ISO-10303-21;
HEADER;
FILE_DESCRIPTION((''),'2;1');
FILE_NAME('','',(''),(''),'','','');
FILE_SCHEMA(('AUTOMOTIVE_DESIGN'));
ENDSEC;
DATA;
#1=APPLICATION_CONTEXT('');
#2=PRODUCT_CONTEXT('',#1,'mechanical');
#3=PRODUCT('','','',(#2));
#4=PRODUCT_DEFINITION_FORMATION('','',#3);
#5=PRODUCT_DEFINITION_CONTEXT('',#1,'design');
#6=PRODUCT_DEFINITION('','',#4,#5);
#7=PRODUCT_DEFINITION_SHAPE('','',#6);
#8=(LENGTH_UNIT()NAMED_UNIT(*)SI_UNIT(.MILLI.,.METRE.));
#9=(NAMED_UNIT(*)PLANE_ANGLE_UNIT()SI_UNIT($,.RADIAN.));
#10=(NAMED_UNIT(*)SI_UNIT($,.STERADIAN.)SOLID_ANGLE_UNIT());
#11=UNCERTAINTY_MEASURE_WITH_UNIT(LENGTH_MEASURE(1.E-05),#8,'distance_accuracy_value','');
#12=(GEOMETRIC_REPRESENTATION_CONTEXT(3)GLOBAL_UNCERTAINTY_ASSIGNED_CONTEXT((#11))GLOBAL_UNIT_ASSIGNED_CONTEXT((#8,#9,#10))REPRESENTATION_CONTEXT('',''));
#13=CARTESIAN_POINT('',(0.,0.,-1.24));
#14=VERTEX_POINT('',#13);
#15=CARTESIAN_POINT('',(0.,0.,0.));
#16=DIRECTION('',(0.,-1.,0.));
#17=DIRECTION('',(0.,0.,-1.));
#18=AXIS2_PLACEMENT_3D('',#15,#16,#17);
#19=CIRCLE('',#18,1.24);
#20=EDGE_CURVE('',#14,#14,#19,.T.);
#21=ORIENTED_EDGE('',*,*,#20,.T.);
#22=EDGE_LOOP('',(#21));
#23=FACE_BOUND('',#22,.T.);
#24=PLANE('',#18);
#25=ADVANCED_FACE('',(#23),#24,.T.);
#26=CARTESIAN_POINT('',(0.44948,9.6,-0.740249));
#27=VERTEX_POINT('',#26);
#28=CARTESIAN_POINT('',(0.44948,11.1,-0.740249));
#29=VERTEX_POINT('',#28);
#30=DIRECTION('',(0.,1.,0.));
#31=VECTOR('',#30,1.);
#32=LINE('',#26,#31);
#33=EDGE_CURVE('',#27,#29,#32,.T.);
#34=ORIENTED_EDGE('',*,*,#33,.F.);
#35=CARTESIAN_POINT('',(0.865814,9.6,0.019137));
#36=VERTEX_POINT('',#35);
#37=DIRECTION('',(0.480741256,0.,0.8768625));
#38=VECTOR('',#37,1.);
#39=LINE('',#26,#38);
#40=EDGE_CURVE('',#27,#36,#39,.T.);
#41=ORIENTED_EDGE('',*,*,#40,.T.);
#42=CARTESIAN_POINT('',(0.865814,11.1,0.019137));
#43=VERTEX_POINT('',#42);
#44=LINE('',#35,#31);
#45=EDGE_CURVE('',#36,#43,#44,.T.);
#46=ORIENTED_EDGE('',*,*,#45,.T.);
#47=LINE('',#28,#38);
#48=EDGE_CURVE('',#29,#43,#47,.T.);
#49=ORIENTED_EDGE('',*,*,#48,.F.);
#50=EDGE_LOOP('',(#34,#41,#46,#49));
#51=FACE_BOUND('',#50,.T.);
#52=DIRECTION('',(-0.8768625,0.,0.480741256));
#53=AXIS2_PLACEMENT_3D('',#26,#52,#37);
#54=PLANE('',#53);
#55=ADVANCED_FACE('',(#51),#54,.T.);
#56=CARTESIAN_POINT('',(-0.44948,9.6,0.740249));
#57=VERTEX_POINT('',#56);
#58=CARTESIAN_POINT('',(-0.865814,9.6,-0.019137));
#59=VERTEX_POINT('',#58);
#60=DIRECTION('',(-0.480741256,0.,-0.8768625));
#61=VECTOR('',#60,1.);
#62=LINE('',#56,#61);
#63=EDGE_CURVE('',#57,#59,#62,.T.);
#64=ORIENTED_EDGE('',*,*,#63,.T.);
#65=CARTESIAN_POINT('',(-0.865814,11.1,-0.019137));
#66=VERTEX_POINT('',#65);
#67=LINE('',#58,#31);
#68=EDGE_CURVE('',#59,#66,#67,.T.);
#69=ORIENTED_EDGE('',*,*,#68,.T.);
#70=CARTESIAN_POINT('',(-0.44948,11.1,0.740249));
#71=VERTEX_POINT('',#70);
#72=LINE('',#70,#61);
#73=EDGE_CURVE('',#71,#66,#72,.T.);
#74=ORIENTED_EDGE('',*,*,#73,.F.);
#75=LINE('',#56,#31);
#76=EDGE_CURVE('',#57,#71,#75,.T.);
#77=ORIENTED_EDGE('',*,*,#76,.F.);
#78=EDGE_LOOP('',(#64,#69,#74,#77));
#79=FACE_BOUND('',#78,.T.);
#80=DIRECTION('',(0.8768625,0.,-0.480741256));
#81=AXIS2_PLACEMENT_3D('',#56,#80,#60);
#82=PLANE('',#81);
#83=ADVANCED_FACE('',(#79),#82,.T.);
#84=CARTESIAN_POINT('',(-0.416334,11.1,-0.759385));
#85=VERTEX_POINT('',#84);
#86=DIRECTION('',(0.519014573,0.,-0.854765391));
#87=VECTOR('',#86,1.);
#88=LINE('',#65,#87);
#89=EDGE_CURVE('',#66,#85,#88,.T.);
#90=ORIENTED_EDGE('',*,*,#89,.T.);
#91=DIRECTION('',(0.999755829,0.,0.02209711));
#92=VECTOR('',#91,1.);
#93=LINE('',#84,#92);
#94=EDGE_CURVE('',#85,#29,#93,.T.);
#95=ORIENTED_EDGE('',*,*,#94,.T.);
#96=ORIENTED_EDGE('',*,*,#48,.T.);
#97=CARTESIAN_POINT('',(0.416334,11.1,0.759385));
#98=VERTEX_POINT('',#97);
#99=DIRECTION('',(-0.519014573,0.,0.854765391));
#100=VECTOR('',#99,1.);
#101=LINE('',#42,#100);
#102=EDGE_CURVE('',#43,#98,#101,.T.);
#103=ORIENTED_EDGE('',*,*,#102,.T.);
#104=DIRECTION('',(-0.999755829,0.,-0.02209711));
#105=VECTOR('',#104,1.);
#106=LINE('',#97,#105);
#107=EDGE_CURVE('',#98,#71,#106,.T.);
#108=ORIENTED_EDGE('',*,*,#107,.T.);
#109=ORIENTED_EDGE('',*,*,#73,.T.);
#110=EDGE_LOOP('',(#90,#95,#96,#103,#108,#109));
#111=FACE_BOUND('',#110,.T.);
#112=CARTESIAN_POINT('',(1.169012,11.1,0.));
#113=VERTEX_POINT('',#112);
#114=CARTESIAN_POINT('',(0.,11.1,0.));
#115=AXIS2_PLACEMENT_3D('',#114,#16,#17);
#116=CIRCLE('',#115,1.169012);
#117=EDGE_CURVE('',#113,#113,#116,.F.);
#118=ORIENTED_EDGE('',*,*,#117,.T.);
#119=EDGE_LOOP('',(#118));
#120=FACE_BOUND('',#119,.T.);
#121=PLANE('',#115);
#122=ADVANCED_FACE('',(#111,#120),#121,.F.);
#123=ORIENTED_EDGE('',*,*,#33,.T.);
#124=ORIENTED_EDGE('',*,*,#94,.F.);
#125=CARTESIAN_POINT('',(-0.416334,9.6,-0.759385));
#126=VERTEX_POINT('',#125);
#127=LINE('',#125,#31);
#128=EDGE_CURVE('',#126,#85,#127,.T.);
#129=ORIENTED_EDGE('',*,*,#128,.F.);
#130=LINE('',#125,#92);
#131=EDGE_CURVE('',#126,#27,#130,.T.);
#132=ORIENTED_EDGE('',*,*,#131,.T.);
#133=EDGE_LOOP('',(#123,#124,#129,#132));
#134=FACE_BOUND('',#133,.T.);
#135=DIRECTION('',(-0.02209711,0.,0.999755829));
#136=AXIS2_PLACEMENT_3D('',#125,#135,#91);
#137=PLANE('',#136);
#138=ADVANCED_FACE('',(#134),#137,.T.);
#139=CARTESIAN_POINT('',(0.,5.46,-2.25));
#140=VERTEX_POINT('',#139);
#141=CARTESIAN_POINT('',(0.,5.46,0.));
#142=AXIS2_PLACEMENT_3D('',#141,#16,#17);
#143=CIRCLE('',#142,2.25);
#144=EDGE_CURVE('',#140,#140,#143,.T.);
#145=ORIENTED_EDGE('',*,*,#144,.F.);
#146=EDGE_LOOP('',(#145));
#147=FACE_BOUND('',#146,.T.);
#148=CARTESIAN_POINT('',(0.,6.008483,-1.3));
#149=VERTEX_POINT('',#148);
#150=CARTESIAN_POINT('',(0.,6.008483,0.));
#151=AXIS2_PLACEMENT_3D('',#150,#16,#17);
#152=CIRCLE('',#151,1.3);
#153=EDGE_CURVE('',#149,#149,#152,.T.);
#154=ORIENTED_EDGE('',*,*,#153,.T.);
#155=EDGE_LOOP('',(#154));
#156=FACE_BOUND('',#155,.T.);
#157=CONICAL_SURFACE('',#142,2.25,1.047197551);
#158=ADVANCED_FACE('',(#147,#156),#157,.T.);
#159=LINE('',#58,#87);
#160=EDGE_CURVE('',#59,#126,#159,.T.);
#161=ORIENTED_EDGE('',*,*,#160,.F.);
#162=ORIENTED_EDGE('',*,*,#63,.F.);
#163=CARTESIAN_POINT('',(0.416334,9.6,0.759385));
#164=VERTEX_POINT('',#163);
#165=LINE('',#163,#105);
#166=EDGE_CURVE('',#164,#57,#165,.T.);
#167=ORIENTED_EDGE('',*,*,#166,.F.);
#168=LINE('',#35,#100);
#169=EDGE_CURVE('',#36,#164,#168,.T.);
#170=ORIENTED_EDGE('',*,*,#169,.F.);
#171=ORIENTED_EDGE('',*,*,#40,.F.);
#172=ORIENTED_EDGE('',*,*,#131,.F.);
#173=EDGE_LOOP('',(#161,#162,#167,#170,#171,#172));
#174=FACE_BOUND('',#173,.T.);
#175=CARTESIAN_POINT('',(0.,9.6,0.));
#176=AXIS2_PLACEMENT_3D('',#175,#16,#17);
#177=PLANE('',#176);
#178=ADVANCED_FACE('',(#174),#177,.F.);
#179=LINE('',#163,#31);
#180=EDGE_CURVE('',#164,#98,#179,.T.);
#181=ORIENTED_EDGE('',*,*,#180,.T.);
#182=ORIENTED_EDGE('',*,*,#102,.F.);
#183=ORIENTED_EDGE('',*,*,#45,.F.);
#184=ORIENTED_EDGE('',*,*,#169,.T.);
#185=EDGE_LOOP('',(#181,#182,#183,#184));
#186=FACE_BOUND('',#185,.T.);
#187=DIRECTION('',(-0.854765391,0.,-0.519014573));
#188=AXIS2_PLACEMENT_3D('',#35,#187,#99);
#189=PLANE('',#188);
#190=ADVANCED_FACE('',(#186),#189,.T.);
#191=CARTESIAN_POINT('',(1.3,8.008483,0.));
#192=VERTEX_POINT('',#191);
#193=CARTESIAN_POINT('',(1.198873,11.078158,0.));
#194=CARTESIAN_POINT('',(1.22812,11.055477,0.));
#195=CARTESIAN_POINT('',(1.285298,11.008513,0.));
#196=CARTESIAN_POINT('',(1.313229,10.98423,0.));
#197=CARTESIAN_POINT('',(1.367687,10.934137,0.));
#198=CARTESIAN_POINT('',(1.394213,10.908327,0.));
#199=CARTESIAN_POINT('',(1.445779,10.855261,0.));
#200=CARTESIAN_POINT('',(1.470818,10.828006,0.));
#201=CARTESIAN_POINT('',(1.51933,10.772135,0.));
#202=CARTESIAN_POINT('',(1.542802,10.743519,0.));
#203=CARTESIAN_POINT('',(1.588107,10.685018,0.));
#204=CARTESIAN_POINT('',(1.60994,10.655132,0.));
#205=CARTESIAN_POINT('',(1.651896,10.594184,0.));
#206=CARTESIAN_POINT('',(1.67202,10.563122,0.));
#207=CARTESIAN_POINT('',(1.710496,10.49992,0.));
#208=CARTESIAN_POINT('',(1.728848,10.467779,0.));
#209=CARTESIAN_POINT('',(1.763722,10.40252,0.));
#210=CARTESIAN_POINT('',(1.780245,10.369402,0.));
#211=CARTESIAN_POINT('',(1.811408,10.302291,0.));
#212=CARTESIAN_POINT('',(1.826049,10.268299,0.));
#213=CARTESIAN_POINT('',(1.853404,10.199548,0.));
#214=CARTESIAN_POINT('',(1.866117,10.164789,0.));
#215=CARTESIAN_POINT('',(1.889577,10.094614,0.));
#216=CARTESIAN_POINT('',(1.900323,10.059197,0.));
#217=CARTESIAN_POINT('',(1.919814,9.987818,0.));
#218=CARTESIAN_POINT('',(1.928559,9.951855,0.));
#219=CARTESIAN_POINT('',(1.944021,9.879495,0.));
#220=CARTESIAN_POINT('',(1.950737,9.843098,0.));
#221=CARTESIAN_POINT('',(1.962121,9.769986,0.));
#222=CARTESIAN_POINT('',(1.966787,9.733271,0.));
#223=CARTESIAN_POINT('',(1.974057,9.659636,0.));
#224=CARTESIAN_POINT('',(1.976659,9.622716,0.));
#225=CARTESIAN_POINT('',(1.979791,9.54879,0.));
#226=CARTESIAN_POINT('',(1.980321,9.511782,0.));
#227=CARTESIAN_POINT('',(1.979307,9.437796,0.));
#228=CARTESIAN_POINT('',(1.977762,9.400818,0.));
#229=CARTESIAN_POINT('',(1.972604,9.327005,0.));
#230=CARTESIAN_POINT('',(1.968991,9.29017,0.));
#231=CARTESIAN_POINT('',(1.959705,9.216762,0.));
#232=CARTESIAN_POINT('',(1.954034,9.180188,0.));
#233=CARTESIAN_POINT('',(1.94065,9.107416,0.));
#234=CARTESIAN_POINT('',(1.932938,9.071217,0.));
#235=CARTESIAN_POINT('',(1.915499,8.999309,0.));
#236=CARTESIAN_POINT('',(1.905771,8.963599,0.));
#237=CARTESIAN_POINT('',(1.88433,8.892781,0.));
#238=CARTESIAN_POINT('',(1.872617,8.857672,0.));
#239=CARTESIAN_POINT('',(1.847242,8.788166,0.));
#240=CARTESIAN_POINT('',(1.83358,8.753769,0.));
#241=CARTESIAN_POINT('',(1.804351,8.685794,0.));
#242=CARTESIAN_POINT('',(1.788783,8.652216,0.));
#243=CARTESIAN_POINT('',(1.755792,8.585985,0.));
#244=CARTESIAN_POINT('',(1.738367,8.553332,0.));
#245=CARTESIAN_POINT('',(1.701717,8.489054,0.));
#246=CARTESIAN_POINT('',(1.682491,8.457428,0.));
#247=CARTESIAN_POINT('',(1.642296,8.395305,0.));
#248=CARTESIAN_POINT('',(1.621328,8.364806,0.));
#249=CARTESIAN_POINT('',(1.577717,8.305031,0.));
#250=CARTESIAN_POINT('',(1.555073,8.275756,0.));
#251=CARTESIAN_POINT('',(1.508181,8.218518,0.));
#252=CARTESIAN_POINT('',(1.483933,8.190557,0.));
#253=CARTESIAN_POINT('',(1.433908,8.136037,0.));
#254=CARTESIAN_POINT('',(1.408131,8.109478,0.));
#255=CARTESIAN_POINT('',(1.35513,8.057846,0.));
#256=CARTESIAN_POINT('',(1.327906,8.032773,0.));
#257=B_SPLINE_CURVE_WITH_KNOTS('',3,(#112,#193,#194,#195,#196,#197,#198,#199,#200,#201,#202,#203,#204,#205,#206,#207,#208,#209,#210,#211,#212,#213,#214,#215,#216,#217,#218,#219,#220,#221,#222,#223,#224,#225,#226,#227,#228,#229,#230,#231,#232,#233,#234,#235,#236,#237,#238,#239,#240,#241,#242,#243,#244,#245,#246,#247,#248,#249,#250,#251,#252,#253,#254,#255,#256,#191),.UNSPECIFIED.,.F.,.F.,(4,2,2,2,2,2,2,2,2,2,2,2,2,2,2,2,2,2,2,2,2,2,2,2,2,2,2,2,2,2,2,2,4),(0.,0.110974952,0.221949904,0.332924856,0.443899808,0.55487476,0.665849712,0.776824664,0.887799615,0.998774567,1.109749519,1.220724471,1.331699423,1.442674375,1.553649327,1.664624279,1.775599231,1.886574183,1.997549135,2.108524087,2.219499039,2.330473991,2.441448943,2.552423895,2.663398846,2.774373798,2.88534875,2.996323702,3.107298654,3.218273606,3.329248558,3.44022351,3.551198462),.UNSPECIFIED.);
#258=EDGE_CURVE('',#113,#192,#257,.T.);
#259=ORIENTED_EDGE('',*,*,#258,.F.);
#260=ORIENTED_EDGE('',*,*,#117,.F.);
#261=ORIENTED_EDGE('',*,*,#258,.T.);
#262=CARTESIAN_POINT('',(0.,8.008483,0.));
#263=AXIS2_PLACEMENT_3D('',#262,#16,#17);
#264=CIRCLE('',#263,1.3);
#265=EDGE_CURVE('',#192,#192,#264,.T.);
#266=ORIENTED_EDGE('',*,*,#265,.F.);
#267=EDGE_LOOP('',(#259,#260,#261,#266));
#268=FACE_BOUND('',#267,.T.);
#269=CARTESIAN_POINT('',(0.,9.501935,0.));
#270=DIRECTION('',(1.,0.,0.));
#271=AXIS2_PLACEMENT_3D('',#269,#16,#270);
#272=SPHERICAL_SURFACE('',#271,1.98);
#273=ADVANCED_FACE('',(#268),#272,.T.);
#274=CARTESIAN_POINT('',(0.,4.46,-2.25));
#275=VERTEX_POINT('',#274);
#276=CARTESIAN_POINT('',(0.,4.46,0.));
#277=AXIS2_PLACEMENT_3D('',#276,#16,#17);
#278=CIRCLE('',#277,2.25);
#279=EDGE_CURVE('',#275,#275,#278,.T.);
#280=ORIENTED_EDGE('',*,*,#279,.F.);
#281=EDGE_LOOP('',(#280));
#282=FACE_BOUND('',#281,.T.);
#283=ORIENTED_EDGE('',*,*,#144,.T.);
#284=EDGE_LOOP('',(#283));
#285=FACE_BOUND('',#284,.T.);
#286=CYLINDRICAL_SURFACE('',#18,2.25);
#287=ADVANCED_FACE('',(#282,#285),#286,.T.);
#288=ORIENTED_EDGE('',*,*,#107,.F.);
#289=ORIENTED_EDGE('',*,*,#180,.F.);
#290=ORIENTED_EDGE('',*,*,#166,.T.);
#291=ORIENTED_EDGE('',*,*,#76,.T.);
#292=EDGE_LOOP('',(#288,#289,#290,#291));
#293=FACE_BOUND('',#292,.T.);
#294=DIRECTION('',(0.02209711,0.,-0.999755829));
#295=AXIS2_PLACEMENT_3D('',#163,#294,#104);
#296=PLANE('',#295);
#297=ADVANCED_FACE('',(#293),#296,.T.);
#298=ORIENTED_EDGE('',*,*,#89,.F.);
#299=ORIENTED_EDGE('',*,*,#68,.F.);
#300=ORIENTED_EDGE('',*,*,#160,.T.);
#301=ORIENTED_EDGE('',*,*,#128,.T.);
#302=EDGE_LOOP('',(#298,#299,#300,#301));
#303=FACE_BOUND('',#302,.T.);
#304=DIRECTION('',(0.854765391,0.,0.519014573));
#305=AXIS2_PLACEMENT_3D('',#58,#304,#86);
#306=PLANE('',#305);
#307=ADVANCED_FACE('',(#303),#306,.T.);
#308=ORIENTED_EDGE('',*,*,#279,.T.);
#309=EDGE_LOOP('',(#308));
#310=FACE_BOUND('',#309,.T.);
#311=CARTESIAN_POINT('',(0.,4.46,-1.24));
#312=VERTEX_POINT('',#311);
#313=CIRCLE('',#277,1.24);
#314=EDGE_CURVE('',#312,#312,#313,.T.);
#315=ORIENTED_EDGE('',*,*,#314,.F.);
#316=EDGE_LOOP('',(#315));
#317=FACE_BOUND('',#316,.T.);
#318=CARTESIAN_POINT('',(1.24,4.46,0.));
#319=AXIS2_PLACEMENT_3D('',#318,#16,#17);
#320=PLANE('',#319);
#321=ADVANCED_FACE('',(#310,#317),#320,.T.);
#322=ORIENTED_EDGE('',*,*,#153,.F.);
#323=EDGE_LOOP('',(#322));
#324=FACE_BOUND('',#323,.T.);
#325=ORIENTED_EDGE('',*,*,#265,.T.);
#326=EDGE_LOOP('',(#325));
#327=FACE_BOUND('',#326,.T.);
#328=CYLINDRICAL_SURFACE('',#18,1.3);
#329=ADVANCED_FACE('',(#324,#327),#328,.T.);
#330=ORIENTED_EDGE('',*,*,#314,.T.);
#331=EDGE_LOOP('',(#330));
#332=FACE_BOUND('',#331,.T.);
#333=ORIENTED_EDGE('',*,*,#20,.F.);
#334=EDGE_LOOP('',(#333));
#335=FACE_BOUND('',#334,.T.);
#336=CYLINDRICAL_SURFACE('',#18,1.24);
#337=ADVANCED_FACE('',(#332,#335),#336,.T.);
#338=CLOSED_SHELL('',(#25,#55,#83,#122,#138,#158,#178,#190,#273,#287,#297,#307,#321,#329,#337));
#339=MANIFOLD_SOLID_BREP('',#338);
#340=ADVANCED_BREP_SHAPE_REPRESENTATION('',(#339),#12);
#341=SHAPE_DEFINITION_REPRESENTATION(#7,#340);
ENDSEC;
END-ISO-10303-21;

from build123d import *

# Parameters (mm, degrees)
TAGLIO_ESTRUSIONE1_DEPTH = 1.5


with BuildPart() as part:
    # Schizzo1 → Rivoluzione1 (revolve)
    with BuildSketch(Plane.XY, mode=Mode.PRIVATE) as rivoluzione1_sk:
        with BuildLine():
            Line((0, 0), (1.24, 0))
            Line((1.24, 0), (1.24, 4.46))
            Line((1.24, 4.46), (2.25, 4.46))
            Line((2.25, 4.46), (2.25, 5.46))
            Line((2.25, 5.46), (1.3, 6.008482756))
            Line((1.3, 6.008482756), (1.3, 8.008482756))
            ThreePointArc((1.3, 8.008482756), (1.854378023, 10.195968379), (0, 11.481935132))
            Line((0, 11.481935132), (0, 0))
        make_face()
    revolve(rivoluzione1_sk.sketch.rotate(Axis((0, 0, 0), (0, 1, 0)), 90), axis=Axis((0, 0, 0), (0, 1, 0)))

    # TaglioSuperficie1
    split(bisect_by=Plane(origin=(0, 11.1, 0), x_dir=(-1, 0, 0), z_dir=(0, -1, 0)), keep=Keep.TOP)

    # Schizzo2 → Taglio-Estrusione1 (cut)
    with BuildSketch(Plane(origin=(0, 11.1, 0), x_dir=(-1, 0, 0), z_dir=(0, -1, 0))):
        Polygon((-0.416334141, -0.759385201), (0.449479805, -0.740248543), (0.865813946, 0.019136658), (0.416334141, 0.759385201), (-0.449479805, 0.740248543), (-0.865813946, -0.019136658), align=None)
    extrude(amount=TAGLIO_ESTRUSIONE1_DEPTH, mode=Mode.SUBTRACT)


solid = part.part
